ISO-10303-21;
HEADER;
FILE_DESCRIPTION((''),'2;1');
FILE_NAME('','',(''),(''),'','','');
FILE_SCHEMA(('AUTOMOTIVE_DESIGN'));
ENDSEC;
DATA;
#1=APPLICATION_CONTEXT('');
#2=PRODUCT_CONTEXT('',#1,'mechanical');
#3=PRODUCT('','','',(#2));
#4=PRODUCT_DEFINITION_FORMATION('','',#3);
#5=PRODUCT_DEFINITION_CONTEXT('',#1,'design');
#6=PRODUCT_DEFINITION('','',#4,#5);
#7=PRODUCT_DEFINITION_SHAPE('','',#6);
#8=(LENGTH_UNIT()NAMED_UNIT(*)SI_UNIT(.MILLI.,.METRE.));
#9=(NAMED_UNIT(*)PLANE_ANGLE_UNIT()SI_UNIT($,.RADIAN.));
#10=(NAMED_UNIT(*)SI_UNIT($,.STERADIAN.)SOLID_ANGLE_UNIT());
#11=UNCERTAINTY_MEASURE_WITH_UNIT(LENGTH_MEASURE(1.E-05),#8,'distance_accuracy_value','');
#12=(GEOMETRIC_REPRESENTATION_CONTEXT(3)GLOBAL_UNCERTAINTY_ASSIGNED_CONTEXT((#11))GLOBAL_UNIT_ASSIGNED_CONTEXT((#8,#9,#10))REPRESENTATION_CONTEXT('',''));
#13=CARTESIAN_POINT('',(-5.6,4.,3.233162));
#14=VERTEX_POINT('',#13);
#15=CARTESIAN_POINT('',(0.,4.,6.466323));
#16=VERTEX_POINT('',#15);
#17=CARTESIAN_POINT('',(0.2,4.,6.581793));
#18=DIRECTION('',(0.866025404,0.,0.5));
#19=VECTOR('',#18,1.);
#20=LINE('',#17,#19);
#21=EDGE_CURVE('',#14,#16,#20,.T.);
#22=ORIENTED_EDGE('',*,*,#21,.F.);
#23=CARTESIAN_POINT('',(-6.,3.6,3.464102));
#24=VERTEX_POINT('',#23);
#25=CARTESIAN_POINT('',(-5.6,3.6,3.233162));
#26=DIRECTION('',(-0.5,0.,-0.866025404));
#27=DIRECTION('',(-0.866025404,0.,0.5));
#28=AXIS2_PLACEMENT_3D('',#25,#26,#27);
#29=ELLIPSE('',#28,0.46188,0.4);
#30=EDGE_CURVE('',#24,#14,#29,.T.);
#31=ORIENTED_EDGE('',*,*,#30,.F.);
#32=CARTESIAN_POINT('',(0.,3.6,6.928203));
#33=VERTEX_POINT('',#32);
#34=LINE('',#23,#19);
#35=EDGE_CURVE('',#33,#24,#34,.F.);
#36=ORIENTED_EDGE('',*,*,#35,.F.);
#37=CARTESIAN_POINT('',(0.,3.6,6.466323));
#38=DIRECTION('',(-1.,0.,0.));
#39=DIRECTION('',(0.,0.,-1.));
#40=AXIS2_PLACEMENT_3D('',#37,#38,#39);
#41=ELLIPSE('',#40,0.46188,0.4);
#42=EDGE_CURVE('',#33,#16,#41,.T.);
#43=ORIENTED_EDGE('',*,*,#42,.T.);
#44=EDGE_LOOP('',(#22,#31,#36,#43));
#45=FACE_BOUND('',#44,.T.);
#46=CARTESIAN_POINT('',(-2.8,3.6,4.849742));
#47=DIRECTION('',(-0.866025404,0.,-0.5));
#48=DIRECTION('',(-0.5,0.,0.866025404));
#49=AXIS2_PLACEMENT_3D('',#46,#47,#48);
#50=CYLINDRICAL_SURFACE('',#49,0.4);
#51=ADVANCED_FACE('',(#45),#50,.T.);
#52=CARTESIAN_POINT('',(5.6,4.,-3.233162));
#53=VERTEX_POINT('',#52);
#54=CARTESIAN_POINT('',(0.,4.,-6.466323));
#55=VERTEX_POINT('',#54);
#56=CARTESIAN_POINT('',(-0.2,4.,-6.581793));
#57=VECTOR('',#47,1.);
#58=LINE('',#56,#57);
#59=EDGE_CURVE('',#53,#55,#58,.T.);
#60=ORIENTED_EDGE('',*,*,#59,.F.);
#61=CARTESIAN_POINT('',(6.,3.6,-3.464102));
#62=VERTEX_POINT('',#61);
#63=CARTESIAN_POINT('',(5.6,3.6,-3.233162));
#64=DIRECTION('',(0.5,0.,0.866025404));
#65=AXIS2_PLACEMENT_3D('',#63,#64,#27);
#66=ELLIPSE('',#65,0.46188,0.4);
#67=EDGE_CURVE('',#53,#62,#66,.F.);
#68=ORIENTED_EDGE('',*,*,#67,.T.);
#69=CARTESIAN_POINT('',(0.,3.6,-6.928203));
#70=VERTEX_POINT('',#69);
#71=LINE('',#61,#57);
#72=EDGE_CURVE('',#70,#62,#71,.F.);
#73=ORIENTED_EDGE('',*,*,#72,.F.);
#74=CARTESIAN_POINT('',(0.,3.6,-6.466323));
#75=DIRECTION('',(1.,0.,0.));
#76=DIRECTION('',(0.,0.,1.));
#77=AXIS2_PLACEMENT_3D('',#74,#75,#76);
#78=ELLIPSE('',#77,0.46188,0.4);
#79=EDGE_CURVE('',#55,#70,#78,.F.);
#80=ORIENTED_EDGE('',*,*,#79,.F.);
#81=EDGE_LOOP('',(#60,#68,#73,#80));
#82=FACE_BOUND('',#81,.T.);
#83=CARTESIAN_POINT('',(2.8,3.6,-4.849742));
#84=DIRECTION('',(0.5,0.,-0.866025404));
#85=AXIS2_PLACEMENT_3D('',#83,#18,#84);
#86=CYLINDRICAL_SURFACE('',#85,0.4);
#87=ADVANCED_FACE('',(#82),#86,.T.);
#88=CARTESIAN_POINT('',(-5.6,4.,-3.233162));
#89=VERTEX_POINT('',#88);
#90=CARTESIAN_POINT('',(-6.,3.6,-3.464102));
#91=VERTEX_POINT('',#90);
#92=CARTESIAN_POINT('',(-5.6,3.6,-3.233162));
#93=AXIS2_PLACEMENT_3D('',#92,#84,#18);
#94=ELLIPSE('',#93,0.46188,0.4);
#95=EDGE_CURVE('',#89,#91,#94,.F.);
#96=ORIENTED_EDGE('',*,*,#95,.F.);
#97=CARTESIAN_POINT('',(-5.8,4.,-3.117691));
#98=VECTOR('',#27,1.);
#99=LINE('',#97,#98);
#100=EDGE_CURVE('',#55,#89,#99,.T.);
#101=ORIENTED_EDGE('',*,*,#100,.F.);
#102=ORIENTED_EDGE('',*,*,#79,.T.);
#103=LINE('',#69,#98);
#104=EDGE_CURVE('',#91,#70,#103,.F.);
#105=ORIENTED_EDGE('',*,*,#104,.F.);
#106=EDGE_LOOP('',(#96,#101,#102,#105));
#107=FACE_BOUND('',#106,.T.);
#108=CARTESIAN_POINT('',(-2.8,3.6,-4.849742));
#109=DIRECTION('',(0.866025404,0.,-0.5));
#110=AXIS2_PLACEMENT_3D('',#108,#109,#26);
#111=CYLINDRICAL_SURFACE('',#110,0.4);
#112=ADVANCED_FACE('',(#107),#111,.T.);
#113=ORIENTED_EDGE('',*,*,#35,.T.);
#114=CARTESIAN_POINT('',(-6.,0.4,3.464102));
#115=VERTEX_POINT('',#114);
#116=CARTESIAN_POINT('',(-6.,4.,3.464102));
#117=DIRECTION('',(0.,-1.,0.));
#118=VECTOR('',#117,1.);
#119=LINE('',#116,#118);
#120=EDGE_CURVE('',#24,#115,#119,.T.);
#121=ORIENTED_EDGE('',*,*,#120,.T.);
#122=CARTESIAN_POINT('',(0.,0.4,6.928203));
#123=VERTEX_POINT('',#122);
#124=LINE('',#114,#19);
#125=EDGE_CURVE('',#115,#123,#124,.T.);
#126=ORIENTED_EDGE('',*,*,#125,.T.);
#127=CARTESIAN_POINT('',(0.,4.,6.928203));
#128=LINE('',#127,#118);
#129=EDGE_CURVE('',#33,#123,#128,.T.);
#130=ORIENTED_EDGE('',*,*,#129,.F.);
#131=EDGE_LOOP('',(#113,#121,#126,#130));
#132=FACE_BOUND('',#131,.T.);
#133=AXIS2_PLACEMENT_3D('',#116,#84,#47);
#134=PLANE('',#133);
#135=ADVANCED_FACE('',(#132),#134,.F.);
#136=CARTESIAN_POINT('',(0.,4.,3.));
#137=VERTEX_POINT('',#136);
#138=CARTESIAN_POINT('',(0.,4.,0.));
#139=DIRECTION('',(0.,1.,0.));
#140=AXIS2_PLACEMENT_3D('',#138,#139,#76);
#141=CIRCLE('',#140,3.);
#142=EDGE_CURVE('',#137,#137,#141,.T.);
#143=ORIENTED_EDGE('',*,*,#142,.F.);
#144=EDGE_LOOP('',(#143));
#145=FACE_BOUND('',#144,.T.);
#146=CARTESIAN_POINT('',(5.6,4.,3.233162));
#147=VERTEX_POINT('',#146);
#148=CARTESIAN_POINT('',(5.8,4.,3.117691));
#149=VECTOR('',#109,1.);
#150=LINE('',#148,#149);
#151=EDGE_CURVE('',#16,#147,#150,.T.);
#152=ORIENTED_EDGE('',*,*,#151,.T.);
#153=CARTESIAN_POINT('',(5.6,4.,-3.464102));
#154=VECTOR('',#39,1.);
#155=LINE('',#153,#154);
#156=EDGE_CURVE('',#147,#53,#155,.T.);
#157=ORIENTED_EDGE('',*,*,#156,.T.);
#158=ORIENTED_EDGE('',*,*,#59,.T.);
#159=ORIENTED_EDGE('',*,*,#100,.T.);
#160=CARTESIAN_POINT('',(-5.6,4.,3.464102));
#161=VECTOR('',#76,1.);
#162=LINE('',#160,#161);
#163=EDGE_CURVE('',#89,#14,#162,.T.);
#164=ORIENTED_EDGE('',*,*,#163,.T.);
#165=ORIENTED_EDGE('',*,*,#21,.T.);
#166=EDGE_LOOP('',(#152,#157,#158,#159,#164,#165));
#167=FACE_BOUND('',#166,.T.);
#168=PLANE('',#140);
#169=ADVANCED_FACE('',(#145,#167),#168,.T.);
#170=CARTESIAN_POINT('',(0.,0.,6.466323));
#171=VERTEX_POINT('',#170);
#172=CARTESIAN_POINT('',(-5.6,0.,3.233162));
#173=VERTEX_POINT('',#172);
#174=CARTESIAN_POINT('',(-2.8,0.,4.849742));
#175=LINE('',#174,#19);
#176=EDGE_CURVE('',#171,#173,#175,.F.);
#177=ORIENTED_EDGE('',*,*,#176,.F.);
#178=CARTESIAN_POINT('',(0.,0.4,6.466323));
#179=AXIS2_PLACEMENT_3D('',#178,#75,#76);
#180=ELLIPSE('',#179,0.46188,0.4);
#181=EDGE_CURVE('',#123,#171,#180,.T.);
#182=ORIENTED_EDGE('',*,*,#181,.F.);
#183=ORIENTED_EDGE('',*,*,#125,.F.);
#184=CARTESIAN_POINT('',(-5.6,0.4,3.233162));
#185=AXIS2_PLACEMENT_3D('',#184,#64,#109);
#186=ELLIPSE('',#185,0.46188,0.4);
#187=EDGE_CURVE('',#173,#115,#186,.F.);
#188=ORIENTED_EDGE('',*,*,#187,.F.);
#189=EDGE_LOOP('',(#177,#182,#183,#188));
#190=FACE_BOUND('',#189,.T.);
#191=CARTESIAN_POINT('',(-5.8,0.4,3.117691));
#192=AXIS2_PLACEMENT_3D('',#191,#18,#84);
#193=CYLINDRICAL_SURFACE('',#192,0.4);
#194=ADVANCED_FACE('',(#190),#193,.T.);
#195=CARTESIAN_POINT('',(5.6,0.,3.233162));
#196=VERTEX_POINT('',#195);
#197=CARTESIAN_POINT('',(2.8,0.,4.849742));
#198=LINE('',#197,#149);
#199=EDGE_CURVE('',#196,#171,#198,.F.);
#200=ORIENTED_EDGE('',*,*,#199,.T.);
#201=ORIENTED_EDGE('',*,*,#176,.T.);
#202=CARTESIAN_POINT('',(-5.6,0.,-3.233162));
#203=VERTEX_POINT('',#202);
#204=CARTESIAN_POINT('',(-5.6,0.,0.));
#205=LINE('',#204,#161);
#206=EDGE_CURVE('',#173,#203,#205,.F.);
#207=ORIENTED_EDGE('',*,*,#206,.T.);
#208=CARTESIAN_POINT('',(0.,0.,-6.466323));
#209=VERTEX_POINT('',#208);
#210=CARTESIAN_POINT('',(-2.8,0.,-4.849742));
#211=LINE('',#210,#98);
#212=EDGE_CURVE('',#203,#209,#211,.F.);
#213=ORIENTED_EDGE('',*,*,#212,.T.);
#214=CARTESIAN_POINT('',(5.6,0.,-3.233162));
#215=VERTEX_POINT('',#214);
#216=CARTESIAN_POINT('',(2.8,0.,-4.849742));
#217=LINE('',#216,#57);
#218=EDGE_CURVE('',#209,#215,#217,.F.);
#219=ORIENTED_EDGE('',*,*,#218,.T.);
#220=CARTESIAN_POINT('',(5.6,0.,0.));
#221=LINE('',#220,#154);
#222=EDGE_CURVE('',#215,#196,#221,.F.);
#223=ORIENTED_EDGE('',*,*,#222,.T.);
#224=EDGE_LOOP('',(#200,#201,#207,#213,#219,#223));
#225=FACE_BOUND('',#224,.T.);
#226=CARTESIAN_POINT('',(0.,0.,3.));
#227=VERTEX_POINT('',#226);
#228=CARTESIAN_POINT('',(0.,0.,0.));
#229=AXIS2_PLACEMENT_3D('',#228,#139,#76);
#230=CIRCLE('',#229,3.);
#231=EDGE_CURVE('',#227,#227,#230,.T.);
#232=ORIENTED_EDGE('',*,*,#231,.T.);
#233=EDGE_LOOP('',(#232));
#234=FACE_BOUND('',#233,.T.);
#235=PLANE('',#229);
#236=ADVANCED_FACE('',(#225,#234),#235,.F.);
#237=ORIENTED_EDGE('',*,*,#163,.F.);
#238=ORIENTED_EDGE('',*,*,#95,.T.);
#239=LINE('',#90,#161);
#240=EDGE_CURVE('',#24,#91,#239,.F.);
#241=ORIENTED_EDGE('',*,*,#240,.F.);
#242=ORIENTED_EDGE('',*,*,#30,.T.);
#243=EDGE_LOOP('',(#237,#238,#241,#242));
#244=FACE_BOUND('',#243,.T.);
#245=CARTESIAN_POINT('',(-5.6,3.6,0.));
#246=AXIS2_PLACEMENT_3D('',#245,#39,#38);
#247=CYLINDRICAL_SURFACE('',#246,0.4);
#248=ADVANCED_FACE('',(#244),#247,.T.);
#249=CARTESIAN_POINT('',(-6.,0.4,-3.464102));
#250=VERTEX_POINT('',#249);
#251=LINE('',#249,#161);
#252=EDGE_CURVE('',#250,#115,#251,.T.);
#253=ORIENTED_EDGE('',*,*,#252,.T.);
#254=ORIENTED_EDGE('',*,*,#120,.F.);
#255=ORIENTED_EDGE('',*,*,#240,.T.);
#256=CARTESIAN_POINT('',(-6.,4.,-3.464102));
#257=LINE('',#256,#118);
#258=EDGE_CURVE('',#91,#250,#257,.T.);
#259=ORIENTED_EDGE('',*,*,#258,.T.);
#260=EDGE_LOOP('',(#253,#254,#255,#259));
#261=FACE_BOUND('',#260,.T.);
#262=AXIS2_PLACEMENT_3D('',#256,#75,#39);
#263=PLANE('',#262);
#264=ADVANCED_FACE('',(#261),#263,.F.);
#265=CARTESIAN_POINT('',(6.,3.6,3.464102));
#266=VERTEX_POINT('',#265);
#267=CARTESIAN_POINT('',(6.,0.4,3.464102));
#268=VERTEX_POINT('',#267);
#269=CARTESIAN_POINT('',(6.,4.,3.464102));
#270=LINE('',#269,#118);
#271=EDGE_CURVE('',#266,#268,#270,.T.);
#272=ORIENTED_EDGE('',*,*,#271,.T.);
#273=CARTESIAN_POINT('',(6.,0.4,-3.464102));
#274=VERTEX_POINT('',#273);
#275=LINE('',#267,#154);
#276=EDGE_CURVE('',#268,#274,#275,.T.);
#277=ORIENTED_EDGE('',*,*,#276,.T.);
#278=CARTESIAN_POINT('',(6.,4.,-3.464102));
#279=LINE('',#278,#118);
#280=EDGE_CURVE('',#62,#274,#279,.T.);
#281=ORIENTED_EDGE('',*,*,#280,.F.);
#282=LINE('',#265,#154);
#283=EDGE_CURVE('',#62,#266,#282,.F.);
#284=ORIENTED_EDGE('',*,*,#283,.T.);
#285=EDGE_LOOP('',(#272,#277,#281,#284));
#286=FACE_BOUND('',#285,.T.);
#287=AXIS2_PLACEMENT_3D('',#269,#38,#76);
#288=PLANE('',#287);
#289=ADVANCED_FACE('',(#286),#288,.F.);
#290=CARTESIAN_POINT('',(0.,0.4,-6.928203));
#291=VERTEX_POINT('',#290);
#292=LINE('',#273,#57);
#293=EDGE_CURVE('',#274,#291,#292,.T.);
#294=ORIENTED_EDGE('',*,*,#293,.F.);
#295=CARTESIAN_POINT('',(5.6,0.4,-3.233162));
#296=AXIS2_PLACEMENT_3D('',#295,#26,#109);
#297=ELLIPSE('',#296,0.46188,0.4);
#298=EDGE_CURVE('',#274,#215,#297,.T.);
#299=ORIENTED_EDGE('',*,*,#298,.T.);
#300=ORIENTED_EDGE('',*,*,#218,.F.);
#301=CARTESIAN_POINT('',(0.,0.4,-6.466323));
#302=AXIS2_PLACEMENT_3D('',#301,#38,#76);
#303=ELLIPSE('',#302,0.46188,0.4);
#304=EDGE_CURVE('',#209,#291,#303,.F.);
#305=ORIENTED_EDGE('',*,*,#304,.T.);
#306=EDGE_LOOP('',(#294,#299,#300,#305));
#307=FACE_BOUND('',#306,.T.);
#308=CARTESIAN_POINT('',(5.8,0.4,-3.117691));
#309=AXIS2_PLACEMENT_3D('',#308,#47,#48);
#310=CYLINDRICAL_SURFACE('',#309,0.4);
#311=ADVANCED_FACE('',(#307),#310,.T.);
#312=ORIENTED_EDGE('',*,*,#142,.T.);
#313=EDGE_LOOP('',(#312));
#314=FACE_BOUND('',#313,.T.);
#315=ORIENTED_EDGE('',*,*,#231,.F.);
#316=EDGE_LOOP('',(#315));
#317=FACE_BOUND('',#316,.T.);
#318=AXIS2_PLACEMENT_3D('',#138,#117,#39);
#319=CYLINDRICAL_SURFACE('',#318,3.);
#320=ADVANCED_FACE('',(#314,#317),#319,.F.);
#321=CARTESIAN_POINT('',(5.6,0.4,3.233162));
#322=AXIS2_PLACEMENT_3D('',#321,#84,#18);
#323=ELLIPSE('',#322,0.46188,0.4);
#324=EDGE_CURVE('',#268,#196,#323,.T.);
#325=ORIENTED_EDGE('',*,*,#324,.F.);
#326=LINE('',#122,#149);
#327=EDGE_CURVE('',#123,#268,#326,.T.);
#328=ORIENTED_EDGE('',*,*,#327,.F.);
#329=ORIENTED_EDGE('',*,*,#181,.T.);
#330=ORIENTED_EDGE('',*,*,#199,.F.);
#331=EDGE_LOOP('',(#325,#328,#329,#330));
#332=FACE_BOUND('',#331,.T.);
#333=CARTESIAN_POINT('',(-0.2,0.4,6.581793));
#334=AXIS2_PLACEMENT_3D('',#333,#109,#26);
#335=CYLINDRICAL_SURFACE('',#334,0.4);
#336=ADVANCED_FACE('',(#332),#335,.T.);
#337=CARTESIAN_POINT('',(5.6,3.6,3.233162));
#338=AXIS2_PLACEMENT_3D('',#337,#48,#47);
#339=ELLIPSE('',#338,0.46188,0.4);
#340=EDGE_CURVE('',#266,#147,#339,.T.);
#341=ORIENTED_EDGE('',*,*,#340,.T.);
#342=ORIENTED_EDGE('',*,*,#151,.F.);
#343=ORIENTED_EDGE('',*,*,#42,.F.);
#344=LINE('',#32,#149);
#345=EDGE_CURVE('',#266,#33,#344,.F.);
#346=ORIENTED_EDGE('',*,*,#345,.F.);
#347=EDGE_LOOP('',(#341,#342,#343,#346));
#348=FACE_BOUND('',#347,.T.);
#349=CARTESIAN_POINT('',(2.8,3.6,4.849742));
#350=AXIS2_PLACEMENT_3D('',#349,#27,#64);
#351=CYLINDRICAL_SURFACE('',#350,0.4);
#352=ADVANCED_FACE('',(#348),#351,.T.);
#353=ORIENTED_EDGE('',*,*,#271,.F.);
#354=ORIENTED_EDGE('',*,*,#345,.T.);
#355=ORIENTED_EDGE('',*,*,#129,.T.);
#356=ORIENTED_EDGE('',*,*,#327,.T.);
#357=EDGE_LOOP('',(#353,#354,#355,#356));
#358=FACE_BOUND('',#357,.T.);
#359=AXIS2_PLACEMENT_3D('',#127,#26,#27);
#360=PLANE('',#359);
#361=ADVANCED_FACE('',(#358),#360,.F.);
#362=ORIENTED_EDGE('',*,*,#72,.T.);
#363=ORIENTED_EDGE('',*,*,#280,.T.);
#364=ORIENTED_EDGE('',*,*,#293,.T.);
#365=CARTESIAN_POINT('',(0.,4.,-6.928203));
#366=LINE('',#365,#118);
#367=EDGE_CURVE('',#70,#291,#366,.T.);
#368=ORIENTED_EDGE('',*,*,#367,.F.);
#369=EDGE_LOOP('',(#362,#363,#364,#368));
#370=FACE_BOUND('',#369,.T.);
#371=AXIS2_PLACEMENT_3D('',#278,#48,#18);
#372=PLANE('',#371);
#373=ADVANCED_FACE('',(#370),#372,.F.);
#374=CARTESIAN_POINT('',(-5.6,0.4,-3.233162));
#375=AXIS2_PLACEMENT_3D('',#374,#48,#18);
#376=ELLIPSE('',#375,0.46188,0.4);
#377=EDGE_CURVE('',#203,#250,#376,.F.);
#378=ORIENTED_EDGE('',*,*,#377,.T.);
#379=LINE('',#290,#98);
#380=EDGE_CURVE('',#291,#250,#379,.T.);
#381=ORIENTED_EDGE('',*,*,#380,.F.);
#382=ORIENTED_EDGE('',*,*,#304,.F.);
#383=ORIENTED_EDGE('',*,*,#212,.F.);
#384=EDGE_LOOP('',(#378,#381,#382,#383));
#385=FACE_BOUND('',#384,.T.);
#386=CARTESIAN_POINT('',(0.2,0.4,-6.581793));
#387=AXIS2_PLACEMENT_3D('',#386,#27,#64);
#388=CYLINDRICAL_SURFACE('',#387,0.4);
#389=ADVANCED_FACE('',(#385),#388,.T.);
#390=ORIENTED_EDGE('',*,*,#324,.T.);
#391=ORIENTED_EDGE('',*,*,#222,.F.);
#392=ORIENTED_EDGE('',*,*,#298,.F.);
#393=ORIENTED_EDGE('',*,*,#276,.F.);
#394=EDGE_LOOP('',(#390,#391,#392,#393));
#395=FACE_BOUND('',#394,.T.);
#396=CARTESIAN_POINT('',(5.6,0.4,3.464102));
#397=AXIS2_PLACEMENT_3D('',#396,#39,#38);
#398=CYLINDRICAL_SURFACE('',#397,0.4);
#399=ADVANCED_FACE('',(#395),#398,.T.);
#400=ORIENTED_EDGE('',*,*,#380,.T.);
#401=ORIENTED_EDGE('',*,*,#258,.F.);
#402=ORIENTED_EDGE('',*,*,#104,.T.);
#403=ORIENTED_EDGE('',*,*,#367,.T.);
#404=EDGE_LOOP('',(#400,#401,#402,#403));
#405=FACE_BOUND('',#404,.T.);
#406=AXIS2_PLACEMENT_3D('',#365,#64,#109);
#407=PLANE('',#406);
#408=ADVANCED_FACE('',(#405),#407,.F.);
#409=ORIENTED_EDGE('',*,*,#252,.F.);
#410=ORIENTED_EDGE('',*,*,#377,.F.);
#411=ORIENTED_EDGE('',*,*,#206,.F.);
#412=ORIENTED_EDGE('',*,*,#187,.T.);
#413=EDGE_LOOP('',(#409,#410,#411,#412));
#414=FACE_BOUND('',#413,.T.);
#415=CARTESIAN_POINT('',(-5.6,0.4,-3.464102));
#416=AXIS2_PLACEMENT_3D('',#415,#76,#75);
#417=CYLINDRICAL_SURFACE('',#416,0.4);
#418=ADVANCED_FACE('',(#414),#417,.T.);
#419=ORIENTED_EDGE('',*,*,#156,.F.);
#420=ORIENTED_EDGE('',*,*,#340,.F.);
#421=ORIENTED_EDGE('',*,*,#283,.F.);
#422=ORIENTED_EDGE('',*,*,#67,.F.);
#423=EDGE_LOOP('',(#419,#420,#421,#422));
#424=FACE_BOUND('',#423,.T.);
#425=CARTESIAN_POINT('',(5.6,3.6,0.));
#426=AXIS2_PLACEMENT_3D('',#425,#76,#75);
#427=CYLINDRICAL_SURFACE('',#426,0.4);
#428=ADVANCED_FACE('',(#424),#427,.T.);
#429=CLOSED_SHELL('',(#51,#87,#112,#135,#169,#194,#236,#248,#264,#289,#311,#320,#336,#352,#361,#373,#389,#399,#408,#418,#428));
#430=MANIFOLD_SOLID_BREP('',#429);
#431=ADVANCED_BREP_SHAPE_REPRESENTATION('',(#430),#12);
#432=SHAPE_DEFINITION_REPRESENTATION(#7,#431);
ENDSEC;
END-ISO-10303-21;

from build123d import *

# Parameters (mm, degrees)
SKETCH1_R           = 3
BOSS_EXTRUDE1_DEPTH = 4
FILLET1_R           = 0.4


with BuildPart() as part:
    # Sketch1 → Boss-Extrude1 (new body)
    with BuildSketch(Plane(origin=(0, 0, 0), x_dir=(1, 0, 0), z_dir=(0, 1, 0))):
        Polygon((0, 6.92820323), (-6, 3.464101615), (-6, -3.464101615), (0, -6.92820323), (6, -3.464101615), (6, 3.464101615), align=None)
        with Locations(Location((0, 0, 0), (0, 0, 270))):
            Circle(SKETCH1_R, mode=Mode.SUBTRACT)
    extrude(amount=BOSS_EXTRUDE1_DEPTH)

    # Fillet1
    fillet1_edges = [part.edges().sort_by_distance(p)[0] for p in [
        (-6, 4, 0),
        (-3, 4, 5.196152423),
        (3, 4, 5.196152423),
        (6, 4, 0),
        (3, 4, -5.196152423),
        (6, 0, 0),
        (3, 0, 5.196152423),
        (-3, 0, 5.196152423),
        (-6, 0, 0),
        (-3, 0, -5.196152423),
        (3, 0, -5.196152423),
        (-3, 4, -5.196152423),
    ]]
    fillet(fillet1_edges, radius=FILLET1_R)


solid = part.part
